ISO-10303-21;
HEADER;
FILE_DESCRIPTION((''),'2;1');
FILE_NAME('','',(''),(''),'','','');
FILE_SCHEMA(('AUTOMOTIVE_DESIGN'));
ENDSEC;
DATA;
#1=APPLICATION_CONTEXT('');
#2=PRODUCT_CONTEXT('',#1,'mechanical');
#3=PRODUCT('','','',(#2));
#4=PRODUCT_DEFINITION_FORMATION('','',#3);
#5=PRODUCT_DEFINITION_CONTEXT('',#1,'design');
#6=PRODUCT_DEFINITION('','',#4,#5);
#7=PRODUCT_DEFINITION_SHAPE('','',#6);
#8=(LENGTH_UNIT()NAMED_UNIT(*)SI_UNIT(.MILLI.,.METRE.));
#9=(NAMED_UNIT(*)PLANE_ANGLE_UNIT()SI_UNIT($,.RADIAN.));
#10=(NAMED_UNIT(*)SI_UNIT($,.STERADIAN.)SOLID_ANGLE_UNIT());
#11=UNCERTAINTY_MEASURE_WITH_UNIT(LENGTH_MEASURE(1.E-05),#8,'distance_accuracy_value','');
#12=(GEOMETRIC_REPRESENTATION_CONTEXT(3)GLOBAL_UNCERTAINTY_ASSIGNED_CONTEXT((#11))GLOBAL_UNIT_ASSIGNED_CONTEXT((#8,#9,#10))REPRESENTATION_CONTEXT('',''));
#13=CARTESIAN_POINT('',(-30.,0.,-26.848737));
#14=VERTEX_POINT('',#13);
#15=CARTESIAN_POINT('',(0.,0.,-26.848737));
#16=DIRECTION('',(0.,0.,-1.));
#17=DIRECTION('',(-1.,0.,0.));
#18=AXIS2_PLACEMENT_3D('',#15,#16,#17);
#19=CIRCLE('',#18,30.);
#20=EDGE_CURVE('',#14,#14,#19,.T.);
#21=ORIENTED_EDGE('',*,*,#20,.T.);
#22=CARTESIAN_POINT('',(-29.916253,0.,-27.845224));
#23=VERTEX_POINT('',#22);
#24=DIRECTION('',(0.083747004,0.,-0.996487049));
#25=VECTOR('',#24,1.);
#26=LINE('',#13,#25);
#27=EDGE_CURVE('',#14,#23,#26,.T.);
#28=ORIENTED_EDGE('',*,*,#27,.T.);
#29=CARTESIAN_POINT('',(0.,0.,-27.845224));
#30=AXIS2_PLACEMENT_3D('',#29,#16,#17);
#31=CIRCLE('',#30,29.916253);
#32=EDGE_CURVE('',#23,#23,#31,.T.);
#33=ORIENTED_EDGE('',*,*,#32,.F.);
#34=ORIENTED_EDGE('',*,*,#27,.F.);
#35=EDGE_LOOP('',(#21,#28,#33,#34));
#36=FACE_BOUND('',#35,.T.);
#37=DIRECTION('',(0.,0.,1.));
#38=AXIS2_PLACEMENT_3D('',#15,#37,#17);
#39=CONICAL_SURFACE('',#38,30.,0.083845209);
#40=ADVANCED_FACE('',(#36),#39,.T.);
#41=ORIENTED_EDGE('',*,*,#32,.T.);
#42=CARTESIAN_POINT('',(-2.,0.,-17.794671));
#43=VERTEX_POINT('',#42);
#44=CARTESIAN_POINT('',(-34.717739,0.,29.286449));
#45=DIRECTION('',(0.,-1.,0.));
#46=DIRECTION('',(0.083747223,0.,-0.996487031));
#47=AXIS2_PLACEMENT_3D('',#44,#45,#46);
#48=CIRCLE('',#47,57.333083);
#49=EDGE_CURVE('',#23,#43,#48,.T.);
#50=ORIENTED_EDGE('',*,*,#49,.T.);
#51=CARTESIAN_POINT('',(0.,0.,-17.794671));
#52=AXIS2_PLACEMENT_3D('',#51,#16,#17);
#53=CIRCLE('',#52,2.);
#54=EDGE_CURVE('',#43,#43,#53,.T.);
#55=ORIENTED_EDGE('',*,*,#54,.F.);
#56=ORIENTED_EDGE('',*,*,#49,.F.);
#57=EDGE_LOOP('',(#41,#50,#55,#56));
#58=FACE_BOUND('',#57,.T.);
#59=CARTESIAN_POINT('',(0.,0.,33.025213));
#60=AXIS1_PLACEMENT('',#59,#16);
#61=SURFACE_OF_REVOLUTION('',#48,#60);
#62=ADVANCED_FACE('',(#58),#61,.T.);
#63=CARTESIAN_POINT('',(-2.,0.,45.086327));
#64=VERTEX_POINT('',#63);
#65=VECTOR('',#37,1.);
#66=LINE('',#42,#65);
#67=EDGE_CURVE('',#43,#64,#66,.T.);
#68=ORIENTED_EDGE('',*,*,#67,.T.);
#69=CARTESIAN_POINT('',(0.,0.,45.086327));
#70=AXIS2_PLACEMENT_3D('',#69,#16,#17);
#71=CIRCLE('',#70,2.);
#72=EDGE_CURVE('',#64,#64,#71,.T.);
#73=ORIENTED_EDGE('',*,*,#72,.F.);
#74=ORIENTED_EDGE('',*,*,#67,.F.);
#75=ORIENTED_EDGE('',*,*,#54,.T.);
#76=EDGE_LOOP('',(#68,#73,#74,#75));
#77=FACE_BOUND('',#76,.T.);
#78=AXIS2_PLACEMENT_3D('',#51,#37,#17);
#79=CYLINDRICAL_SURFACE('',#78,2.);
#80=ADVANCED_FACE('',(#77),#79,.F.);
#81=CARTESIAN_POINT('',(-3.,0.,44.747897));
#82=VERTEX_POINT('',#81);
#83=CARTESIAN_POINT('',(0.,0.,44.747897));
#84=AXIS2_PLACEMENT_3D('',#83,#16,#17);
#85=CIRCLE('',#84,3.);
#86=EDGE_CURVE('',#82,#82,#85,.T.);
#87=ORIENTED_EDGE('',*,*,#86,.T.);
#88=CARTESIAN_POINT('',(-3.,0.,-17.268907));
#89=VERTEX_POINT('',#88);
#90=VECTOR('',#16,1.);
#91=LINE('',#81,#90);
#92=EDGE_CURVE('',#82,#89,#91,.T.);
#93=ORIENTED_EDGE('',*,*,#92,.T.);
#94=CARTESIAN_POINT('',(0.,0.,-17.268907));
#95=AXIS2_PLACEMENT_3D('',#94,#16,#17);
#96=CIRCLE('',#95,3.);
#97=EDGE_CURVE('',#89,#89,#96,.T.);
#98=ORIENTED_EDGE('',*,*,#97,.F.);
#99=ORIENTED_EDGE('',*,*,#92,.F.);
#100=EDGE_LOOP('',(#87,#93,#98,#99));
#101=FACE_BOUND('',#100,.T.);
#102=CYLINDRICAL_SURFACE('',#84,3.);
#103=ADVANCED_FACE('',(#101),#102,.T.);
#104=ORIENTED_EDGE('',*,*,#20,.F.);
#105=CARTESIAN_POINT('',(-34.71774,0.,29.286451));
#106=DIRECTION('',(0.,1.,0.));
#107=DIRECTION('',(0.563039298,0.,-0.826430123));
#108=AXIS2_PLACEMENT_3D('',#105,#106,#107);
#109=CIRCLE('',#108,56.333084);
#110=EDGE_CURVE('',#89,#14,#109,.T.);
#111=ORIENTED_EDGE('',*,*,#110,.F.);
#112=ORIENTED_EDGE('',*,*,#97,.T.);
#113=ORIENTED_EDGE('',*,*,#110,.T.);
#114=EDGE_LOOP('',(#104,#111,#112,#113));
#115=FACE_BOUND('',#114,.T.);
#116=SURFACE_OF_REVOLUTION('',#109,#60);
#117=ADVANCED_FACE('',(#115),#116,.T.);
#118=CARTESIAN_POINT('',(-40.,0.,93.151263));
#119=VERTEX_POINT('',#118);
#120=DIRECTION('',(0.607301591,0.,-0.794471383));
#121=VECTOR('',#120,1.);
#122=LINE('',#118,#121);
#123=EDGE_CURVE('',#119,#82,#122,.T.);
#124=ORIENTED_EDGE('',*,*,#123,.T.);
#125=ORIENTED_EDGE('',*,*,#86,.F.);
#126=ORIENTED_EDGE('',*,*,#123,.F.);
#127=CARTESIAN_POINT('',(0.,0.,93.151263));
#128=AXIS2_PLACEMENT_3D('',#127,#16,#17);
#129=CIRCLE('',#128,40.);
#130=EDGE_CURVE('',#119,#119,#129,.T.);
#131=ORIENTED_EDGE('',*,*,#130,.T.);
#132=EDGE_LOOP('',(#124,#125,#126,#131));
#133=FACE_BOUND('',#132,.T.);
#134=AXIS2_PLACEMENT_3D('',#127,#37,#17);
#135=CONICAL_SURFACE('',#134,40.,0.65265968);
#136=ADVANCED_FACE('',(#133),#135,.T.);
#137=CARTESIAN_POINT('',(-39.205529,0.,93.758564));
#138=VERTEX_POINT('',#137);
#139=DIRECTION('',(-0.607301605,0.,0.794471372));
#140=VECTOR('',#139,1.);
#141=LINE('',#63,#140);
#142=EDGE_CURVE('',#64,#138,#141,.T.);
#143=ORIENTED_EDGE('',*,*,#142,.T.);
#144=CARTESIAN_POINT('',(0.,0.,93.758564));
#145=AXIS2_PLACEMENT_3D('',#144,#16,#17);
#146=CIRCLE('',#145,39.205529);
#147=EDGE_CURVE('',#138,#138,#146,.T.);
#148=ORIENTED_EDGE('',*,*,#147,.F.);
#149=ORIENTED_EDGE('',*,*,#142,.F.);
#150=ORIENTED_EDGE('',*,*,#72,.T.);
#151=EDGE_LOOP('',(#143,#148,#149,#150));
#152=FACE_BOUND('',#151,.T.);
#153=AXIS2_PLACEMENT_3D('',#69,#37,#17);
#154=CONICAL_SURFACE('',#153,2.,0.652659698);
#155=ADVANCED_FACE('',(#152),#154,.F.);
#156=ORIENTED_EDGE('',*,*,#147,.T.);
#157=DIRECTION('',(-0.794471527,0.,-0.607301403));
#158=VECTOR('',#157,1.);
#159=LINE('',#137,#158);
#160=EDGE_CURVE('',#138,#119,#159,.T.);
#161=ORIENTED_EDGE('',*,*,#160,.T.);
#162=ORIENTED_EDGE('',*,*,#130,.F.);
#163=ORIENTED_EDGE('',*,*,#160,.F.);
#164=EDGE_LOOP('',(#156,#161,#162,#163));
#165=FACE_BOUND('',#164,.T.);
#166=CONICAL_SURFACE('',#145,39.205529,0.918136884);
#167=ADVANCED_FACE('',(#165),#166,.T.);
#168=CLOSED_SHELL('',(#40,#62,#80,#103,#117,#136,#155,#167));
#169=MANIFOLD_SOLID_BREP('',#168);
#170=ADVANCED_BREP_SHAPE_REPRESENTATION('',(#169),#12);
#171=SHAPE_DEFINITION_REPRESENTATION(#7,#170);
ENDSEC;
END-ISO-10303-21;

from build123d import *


with BuildPart() as f1:
    # F0 (on Front) → F1 (revolve)
    with BuildSketch(Plane.XZ):
        with BuildLine():
            Line((-39.205529, 93.758564), (-40, 93.151263))
            Line((-40, 93.151263), (-3, 44.747897))
            Line((-3, 44.747897), (-3, -17.268907))
            ThreePointArc((-3, -17.268907), (-15.880826, -23.803916), (-30, -26.848737))
            Line((-30, -26.848737), (-29.916253, -27.845224))
            ThreePointArc((-29.916253, -27.845224), (-15.296707, -24.657094), (-2, -17.794671))
            Line((-2, -17.794671), (-2, 45.086327))
            Line((-2, 45.086327), (-39.205529, 93.758564))
        make_face()
    revolve(axis=Axis((0, 0, 33.025213), (0, 0, -1)))


solid = f1.part
